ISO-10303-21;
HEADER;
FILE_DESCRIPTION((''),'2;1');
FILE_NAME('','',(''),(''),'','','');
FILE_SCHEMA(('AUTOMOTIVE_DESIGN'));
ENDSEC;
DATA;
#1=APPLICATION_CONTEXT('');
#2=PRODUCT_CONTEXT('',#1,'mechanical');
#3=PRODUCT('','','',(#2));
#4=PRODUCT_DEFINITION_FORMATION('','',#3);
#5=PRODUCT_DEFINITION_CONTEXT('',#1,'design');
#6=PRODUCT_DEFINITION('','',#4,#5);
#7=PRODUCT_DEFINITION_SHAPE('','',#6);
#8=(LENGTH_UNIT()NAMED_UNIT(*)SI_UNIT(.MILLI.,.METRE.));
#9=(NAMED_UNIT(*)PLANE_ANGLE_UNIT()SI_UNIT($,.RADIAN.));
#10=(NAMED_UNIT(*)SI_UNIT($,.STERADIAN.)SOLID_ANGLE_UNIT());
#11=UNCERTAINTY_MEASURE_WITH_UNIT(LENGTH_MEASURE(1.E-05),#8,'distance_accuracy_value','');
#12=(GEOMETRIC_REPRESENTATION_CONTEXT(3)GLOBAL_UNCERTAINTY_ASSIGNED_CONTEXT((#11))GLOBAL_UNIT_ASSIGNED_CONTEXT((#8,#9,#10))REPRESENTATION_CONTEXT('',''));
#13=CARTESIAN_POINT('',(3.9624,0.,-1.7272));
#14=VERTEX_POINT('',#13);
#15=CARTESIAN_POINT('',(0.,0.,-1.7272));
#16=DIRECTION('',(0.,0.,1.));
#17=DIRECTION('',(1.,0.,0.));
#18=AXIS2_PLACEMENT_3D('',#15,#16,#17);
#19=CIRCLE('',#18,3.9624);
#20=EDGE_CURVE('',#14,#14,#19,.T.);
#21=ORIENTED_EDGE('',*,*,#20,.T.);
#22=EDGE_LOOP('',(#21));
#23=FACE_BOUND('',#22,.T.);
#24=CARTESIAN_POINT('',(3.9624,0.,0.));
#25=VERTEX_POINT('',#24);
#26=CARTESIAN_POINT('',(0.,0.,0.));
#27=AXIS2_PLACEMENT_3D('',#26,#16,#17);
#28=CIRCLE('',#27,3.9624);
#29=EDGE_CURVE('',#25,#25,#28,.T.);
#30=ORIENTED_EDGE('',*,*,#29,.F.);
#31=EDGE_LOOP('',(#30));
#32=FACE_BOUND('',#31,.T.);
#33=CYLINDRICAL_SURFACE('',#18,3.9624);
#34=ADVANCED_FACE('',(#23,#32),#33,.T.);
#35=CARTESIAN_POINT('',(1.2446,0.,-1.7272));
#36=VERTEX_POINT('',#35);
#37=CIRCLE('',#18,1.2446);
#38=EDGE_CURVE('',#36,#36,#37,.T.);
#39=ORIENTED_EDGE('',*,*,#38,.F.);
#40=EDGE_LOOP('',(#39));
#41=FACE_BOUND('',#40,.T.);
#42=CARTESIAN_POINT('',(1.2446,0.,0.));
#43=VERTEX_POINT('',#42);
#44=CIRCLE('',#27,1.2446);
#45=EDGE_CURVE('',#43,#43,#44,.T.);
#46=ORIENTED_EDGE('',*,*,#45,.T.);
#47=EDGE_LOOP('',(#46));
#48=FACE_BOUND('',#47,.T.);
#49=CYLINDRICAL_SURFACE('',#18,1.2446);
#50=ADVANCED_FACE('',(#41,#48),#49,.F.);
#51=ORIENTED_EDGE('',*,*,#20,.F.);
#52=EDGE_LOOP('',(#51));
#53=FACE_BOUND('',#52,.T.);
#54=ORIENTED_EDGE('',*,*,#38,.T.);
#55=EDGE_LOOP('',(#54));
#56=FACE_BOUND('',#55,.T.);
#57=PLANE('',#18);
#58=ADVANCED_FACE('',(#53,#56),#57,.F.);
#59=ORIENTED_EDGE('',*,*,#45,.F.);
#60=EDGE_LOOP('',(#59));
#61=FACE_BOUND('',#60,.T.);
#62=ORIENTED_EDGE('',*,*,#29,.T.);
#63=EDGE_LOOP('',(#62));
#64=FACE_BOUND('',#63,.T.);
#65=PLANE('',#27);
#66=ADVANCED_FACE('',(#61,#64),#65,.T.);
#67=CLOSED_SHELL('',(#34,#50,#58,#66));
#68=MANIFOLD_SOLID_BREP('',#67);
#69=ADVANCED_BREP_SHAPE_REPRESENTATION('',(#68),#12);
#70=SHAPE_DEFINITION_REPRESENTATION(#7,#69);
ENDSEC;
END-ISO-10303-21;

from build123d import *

# Parameters (mm, degrees)
SKETCH1_R      = 3.9624
SKETCH1_R_2    = 1.2446
EXTRUDE1_DEPTH = 1.7272


with BuildPart() as part:
    # Sketch1 → Extrude1 (new body)
    with BuildSketch(Plane.XY):
        Circle(SKETCH1_R)
        Circle(SKETCH1_R_2, mode=Mode.SUBTRACT)
    extrude(amount=-EXTRUDE1_DEPTH)


solid = part.part
